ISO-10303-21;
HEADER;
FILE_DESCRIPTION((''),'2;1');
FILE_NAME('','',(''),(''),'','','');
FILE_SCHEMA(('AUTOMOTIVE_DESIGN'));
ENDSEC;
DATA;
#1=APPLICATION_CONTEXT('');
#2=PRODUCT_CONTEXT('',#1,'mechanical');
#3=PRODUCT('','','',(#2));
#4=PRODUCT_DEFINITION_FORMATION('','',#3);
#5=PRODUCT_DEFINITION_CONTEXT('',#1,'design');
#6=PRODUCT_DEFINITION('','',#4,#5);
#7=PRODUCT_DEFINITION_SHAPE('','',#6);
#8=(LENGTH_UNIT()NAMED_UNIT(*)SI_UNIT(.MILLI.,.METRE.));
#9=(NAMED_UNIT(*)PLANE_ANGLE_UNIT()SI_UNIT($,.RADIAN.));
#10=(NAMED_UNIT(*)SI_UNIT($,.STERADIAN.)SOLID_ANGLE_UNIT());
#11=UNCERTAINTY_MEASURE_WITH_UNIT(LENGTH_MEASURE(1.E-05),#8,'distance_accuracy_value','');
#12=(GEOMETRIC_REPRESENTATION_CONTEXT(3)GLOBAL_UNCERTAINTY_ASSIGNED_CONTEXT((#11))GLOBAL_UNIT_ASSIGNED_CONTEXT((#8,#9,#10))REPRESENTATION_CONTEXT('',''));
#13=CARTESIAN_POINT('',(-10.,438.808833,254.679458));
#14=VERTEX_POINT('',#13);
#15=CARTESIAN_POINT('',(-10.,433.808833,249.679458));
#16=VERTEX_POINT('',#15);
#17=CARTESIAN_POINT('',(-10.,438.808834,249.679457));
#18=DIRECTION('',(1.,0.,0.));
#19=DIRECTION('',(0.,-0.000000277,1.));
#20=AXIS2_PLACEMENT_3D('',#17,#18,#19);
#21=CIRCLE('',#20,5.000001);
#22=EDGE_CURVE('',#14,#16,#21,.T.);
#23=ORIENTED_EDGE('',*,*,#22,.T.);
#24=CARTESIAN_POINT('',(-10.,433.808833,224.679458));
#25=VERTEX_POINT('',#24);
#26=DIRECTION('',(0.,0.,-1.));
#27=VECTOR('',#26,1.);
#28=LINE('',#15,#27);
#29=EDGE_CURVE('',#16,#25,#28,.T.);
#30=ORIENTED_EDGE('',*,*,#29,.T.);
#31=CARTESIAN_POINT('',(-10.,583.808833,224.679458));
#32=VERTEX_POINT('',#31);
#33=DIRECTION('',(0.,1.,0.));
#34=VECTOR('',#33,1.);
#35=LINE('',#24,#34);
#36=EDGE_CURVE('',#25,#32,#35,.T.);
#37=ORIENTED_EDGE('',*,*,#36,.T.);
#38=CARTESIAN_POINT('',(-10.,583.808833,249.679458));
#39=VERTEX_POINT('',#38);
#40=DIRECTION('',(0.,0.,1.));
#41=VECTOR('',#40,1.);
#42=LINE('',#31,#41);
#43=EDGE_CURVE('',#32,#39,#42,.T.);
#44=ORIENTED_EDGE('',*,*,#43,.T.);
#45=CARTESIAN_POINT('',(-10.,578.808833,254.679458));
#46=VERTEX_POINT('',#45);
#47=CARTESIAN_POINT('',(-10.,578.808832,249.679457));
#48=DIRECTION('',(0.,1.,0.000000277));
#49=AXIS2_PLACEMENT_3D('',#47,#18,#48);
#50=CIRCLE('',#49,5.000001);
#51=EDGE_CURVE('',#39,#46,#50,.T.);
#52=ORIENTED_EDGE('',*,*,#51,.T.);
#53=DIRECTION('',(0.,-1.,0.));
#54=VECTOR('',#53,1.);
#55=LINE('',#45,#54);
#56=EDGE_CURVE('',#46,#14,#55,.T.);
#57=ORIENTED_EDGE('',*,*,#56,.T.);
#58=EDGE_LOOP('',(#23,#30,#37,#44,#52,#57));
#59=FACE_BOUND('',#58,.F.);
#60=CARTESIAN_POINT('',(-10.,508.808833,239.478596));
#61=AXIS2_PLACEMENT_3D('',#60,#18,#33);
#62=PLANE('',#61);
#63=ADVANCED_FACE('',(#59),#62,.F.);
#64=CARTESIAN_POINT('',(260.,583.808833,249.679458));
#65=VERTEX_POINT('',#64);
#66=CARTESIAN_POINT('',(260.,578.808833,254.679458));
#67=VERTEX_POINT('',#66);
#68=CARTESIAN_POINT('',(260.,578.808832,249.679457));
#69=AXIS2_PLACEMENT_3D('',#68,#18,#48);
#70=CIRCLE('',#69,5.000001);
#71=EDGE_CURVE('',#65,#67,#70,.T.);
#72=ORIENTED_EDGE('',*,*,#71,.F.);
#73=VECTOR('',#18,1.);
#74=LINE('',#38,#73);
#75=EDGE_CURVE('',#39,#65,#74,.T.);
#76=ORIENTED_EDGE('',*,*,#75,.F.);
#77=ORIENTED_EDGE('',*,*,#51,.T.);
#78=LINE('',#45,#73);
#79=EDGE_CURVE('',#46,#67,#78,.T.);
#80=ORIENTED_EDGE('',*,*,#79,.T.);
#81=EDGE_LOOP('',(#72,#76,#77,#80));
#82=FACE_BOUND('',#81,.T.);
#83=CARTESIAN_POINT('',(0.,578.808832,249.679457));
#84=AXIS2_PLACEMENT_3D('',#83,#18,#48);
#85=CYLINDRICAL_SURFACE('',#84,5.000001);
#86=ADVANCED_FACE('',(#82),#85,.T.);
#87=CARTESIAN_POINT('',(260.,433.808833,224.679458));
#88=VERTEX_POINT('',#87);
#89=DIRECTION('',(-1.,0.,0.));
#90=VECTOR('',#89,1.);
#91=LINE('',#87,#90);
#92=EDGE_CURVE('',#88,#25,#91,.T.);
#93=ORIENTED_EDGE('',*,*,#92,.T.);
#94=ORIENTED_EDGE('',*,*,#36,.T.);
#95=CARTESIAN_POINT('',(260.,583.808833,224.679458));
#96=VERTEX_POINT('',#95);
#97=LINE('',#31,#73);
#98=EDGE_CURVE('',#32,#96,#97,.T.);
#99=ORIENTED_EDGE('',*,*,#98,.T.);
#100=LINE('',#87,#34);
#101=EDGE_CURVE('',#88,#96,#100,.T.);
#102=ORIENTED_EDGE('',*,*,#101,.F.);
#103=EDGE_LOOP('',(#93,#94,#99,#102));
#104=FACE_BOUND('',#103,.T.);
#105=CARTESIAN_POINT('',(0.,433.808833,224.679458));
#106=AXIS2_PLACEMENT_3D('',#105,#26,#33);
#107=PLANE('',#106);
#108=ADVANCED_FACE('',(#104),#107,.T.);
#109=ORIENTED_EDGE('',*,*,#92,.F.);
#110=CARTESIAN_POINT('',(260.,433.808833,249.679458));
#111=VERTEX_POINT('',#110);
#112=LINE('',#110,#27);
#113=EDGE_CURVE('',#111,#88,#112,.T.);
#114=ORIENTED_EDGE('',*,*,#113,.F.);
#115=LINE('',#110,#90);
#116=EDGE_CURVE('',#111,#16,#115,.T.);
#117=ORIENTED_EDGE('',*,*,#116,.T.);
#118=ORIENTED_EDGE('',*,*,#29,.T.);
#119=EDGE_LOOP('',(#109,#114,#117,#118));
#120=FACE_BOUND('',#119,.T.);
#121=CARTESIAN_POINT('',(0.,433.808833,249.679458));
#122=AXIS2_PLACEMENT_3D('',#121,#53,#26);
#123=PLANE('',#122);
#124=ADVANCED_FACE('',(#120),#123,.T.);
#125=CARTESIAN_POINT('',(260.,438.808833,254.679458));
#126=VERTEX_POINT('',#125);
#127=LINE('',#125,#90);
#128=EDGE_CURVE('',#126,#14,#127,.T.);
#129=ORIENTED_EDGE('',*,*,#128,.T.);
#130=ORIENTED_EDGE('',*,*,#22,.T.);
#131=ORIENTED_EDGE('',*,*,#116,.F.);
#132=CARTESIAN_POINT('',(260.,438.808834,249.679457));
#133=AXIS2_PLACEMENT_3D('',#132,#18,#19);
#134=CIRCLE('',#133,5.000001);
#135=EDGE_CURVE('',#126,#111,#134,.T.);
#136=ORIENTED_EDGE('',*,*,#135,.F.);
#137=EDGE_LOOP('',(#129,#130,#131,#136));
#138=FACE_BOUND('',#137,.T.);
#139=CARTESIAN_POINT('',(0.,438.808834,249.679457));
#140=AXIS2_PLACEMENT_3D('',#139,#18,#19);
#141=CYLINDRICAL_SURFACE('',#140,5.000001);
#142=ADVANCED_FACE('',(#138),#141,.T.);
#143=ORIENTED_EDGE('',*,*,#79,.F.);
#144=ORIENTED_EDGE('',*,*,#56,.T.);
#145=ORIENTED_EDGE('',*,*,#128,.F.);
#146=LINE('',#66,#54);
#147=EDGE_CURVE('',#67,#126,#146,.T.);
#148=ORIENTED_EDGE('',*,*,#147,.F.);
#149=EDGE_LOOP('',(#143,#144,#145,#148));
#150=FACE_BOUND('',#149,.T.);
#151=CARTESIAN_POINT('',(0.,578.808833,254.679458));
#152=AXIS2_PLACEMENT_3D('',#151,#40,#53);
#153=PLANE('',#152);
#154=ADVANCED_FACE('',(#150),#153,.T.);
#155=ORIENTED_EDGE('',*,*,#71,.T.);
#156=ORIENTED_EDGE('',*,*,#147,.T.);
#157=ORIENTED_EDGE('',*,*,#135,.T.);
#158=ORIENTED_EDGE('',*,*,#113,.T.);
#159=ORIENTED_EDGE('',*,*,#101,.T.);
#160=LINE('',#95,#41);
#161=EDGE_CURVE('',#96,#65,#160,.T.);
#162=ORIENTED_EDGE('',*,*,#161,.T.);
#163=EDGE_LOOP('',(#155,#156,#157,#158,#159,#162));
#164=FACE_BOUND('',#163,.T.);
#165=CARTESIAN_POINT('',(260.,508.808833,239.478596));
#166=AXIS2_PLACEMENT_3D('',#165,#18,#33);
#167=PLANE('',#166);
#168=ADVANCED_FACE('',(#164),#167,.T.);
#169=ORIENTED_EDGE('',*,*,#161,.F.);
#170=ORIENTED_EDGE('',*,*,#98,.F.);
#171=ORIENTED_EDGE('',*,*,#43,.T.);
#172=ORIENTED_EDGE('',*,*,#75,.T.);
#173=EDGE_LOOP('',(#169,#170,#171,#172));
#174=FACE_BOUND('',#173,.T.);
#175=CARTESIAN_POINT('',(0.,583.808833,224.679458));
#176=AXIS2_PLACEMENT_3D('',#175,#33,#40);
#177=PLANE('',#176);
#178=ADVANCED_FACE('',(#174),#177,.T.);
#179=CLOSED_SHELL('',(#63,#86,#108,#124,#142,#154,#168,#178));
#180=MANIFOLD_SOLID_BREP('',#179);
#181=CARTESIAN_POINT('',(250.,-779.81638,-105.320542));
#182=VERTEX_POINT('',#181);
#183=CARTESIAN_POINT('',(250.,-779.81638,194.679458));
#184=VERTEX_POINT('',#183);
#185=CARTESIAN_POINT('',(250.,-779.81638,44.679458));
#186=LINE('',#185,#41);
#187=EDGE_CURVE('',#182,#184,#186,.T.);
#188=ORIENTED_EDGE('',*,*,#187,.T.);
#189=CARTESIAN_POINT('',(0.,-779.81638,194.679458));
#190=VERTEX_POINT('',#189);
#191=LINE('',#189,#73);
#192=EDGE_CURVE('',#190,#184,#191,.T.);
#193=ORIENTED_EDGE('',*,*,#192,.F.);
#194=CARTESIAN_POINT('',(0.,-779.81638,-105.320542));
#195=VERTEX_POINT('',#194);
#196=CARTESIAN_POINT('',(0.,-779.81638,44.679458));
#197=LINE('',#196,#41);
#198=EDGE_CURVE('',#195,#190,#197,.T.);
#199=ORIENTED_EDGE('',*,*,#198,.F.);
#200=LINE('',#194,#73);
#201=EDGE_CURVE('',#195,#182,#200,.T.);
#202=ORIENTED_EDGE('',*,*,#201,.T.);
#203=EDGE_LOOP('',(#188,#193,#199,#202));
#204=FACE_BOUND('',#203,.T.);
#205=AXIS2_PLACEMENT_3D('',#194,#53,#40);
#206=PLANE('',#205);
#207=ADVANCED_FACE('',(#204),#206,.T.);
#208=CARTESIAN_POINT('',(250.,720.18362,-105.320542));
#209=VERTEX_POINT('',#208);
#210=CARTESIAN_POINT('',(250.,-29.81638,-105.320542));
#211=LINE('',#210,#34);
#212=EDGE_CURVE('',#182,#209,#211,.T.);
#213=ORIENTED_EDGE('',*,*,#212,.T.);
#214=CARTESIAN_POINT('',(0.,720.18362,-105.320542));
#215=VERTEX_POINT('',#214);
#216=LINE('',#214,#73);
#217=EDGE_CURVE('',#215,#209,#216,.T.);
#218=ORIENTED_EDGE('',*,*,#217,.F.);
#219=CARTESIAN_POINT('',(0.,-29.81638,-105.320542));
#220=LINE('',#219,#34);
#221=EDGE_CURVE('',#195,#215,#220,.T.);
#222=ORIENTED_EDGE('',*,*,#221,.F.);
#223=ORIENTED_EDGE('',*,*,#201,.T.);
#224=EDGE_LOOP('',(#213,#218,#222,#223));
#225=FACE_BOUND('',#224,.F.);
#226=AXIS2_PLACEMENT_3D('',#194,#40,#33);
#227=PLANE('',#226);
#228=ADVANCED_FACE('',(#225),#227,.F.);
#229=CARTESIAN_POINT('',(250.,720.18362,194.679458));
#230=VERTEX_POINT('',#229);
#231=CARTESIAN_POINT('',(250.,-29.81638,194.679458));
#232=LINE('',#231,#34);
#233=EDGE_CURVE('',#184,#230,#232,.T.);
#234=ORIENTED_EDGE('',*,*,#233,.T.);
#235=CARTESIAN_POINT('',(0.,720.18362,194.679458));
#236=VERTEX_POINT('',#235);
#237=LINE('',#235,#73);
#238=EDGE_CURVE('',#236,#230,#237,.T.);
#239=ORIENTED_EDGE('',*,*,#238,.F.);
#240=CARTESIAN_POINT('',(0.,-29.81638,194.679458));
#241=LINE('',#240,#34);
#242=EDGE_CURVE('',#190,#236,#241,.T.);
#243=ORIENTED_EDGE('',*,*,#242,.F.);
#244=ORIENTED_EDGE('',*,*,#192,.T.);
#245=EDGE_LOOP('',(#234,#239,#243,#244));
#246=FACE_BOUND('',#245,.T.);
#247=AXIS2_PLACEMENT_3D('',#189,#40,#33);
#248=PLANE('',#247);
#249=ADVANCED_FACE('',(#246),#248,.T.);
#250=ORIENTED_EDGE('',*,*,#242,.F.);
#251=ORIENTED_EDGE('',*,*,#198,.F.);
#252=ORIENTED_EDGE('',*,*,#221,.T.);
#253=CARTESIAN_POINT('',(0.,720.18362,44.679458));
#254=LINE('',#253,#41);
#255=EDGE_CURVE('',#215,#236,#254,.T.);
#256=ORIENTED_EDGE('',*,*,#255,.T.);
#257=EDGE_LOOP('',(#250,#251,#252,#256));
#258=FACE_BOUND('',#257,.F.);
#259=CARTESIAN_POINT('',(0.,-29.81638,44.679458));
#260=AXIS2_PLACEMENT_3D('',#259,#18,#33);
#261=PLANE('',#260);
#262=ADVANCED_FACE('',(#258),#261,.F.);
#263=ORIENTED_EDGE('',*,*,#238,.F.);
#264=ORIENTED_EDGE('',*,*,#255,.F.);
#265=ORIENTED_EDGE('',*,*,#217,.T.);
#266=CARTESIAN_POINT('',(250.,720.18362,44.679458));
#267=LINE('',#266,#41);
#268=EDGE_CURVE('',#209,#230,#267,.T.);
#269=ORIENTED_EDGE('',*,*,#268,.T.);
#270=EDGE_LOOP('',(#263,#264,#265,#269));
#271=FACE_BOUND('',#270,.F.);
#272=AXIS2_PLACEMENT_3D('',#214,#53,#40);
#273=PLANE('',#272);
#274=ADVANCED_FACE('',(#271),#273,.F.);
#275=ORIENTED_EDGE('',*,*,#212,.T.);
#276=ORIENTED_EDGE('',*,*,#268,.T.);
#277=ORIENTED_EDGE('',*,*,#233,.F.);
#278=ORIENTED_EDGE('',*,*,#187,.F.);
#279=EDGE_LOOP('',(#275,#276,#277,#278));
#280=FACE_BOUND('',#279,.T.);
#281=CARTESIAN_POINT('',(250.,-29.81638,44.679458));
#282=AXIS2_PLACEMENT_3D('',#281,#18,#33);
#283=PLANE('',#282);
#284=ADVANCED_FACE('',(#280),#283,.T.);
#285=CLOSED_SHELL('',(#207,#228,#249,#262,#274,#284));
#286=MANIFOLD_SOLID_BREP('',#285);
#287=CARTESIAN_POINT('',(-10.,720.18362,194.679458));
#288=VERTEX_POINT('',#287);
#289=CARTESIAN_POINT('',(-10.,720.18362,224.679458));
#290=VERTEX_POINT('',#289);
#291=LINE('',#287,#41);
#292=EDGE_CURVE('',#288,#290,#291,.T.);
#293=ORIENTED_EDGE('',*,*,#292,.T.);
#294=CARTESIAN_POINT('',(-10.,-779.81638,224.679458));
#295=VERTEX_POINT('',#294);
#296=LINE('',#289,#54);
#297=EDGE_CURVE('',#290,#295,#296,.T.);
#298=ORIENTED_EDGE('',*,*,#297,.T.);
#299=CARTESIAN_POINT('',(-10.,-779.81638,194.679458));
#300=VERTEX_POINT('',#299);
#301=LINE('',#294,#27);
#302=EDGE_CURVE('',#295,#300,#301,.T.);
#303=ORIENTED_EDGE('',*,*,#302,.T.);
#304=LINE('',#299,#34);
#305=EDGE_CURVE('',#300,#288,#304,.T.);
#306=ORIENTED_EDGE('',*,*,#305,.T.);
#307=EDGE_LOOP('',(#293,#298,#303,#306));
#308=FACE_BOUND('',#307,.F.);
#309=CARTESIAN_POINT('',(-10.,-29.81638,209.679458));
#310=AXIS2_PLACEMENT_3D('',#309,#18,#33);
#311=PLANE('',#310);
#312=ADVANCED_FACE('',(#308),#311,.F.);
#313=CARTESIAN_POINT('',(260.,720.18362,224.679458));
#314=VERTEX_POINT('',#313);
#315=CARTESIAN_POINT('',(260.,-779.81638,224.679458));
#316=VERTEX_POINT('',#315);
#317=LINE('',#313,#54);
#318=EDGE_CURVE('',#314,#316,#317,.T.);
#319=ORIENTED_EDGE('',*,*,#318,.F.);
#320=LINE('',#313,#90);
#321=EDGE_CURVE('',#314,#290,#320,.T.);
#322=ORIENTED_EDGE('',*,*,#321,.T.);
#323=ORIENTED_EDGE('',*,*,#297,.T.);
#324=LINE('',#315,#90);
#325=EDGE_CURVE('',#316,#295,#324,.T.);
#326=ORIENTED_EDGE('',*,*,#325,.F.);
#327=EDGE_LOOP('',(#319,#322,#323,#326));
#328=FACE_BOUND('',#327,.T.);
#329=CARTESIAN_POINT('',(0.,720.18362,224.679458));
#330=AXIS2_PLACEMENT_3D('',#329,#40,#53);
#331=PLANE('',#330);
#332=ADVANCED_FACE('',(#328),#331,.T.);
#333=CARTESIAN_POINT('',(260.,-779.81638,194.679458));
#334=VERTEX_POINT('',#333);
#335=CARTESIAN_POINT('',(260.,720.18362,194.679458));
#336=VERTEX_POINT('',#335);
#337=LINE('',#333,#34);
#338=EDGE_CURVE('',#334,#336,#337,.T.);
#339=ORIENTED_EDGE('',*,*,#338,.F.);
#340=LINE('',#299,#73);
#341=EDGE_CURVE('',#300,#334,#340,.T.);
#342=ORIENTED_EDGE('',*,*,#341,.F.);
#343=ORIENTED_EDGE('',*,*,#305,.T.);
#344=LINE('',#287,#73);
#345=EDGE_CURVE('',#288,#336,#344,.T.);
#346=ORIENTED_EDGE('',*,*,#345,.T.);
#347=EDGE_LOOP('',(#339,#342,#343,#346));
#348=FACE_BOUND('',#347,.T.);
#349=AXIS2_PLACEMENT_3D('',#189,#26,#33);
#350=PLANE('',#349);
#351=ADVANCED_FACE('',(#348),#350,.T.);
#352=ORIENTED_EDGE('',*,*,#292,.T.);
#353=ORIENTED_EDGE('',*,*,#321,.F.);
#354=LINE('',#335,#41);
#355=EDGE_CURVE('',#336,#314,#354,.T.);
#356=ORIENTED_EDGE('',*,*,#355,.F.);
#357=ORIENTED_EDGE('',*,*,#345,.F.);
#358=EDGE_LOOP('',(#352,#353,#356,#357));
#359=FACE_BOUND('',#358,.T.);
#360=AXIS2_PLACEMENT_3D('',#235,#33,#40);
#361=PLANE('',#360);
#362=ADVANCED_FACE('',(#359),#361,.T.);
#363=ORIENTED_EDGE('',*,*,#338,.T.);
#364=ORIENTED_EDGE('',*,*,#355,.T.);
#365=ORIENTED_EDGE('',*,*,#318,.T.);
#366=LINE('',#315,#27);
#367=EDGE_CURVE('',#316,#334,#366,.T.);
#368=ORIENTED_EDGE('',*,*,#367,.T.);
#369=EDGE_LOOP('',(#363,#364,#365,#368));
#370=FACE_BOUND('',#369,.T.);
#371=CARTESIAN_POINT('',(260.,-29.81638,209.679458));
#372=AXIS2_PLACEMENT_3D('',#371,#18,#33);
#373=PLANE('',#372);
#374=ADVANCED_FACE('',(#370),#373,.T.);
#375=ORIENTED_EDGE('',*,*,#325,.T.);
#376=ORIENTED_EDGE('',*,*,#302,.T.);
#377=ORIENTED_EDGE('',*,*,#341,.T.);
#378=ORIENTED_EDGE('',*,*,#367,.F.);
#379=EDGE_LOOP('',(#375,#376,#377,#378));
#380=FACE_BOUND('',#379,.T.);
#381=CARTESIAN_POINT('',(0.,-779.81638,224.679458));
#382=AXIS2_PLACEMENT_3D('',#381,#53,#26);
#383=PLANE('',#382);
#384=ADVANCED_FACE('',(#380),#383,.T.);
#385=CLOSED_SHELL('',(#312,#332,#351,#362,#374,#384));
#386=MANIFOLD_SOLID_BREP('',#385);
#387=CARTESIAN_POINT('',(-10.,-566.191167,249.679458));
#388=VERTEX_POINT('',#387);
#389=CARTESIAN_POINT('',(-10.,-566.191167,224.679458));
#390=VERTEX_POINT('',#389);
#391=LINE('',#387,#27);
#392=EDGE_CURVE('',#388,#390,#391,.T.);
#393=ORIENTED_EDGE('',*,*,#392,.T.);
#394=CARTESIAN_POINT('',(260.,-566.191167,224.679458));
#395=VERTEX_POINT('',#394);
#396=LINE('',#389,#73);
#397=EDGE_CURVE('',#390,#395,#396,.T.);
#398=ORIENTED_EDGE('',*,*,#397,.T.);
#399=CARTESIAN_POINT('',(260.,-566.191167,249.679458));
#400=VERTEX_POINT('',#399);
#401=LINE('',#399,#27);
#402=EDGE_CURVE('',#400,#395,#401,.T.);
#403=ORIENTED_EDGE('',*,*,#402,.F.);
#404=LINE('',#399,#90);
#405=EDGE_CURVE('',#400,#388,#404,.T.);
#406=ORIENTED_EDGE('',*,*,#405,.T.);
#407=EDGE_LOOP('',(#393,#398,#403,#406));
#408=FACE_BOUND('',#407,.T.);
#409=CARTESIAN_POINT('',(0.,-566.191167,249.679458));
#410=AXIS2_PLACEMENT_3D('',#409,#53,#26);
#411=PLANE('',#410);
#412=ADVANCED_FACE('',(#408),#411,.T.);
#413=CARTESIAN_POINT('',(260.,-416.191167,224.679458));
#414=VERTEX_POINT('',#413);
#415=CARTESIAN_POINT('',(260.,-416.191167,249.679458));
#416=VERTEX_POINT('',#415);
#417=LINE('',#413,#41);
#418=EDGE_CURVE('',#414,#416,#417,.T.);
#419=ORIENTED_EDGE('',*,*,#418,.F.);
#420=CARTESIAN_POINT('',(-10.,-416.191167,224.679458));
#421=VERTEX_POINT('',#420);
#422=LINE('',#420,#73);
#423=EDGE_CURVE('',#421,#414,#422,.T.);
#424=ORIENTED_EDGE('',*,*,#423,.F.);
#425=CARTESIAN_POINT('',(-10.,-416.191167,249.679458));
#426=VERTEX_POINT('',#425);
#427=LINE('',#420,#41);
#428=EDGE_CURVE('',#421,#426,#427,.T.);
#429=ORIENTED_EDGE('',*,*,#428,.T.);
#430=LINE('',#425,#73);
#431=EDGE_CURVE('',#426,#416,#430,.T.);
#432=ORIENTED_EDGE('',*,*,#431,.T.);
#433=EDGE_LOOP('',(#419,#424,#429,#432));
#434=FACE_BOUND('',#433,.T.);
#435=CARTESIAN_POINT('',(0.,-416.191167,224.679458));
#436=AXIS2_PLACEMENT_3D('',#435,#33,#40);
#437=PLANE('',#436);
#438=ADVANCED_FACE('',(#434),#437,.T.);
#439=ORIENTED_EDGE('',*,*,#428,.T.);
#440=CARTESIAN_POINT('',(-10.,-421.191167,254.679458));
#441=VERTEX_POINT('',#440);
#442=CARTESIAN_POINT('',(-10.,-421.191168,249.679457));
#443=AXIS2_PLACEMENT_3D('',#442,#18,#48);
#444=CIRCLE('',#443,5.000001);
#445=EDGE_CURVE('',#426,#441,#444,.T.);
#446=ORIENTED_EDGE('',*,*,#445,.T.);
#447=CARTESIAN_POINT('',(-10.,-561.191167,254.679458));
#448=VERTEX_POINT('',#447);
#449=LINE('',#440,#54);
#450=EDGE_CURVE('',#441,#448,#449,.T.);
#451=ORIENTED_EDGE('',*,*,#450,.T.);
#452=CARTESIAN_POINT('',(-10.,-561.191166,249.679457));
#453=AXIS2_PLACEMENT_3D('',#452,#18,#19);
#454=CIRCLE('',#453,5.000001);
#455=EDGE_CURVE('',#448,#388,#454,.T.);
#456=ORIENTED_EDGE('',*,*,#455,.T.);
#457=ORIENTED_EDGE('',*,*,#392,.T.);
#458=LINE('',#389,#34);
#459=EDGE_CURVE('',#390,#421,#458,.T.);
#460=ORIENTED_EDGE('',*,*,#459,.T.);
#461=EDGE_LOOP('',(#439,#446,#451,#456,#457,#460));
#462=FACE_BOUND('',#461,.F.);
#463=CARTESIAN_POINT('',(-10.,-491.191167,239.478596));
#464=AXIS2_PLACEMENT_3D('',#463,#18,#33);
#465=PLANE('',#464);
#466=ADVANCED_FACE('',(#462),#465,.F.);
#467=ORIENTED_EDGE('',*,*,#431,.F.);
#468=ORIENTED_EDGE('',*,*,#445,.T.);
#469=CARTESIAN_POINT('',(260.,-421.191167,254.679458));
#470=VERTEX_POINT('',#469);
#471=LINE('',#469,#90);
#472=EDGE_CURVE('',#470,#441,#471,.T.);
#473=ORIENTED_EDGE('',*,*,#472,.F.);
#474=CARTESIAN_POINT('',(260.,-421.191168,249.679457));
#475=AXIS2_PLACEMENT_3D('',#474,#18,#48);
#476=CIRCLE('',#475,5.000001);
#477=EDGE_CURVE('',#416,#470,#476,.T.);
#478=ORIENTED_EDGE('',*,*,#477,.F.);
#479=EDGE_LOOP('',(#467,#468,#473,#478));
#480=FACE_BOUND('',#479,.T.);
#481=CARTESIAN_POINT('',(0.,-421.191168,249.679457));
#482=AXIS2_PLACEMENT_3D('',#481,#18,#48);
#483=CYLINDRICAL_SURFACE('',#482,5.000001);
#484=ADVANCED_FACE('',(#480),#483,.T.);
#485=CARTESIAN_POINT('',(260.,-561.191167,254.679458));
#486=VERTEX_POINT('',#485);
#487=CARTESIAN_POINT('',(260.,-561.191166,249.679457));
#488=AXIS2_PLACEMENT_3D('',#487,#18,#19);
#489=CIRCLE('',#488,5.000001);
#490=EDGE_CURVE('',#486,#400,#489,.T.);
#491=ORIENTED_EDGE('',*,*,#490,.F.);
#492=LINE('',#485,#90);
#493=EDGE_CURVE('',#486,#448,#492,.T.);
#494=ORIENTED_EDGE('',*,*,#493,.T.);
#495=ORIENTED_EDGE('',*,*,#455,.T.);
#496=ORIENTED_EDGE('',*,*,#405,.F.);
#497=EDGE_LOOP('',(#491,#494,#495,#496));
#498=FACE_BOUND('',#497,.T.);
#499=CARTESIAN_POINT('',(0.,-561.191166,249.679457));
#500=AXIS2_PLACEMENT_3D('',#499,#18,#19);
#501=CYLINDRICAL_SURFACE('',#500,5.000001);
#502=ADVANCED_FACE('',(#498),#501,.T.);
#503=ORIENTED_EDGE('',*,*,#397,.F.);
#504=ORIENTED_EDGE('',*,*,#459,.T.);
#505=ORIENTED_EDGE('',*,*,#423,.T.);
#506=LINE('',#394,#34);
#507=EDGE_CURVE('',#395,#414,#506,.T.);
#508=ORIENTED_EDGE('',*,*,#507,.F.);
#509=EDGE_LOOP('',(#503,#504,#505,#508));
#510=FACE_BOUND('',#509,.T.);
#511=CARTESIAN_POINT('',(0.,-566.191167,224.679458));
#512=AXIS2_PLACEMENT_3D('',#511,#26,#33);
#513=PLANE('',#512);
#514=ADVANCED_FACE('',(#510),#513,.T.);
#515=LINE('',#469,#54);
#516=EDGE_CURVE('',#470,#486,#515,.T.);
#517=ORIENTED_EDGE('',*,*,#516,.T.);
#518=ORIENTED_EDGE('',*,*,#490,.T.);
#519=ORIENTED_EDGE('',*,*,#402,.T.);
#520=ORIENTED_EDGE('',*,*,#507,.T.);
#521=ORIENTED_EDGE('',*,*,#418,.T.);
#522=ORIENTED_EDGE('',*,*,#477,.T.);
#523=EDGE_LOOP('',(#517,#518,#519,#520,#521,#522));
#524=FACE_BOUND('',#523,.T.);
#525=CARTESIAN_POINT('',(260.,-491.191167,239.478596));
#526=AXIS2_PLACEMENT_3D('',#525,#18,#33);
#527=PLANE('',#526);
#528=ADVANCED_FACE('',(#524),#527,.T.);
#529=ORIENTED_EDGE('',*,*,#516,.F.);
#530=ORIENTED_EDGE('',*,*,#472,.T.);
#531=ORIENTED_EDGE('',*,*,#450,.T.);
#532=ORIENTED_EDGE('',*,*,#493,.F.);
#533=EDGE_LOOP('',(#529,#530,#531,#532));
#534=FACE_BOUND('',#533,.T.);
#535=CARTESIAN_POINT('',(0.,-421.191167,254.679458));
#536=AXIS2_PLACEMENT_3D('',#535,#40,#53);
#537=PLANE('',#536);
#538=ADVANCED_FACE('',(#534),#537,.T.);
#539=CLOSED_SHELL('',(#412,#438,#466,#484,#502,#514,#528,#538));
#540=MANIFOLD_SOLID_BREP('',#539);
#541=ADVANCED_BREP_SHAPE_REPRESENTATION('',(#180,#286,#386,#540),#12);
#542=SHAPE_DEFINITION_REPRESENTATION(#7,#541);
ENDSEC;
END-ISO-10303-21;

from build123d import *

# Parameters (mm, degrees)
F0_W          = 1500
F0_H          = 300
F1_DEPTH      = 250
F2_DEPTH      = 260
F2_DEPTH_BACK = 10
F3_DEPTH      = 260
F3_DEPTH_BACK = 10


with BuildPart() as f1:
    # F0 (on Right) → F1 (new body)
    with BuildSketch(Plane.YZ):
        with Locations((-29.81638, 44.679458)):
            Rectangle(F0_W, F0_H)
    extrude(amount=F1_DEPTH)


with BuildPart() as f2:
    # F0 (on Right) → F2 (new body, two sides)
    with BuildSketch(Plane.YZ) as f2_sk:
        Polygon((-779.81638, 224.679458), (-779.81638, 194.679458), (720.18362, 194.679458), (720.18362, 224.679458), (583.808833, 224.679458), (433.808833, 224.679458), (-416.191167, 224.679458), (-566.191167, 224.679458), align=None)
    extrude(amount=F2_DEPTH)
    extrude(f2_sk.sketch, amount=-F2_DEPTH_BACK)


with BuildPart() as f3:
    # F0 (on Right) → F3 (new body, two sides)
    with BuildSketch(Plane.YZ) as f3_sk:
        with BuildLine():
            Line((-566.191167, 249.679458), (-566.191167, 224.679458))
            Line((-566.191167, 224.679458), (-416.191167, 224.679458))
            Line((-416.191167, 224.679458), (-416.191167, 249.679458))
            ThreePointArc((-416.191167, 249.679458), (-417.655633, 253.214991), (-421.191167, 254.679458))
            Line((-421.191167, 254.679458), (-561.191167, 254.679458))
            ThreePointArc((-561.191167, 254.679458), (-564.726701, 253.214991), (-566.191167, 249.679458))
        make_face()
        with BuildLine():
            Line((433.808833, 224.679458), (583.808833, 224.679458))
            Line((583.808833, 224.679458), (583.808833, 249.679458))
            ThreePointArc((583.808833, 249.679458), (582.344367, 253.214991), (578.808833, 254.679458))
            Line((578.808833, 254.679458), (438.808833, 254.679458))
            ThreePointArc((438.808833, 254.679458), (435.273299, 253.214991), (433.808833, 249.679458))
            Line((433.808833, 249.679458), (433.808833, 224.679458))
        make_face()
    extrude(amount=F3_DEPTH)
    extrude(f3_sk.sketch, amount=-F3_DEPTH_BACK)


solid = Compound([f1.part, f2.part, f3.part])
